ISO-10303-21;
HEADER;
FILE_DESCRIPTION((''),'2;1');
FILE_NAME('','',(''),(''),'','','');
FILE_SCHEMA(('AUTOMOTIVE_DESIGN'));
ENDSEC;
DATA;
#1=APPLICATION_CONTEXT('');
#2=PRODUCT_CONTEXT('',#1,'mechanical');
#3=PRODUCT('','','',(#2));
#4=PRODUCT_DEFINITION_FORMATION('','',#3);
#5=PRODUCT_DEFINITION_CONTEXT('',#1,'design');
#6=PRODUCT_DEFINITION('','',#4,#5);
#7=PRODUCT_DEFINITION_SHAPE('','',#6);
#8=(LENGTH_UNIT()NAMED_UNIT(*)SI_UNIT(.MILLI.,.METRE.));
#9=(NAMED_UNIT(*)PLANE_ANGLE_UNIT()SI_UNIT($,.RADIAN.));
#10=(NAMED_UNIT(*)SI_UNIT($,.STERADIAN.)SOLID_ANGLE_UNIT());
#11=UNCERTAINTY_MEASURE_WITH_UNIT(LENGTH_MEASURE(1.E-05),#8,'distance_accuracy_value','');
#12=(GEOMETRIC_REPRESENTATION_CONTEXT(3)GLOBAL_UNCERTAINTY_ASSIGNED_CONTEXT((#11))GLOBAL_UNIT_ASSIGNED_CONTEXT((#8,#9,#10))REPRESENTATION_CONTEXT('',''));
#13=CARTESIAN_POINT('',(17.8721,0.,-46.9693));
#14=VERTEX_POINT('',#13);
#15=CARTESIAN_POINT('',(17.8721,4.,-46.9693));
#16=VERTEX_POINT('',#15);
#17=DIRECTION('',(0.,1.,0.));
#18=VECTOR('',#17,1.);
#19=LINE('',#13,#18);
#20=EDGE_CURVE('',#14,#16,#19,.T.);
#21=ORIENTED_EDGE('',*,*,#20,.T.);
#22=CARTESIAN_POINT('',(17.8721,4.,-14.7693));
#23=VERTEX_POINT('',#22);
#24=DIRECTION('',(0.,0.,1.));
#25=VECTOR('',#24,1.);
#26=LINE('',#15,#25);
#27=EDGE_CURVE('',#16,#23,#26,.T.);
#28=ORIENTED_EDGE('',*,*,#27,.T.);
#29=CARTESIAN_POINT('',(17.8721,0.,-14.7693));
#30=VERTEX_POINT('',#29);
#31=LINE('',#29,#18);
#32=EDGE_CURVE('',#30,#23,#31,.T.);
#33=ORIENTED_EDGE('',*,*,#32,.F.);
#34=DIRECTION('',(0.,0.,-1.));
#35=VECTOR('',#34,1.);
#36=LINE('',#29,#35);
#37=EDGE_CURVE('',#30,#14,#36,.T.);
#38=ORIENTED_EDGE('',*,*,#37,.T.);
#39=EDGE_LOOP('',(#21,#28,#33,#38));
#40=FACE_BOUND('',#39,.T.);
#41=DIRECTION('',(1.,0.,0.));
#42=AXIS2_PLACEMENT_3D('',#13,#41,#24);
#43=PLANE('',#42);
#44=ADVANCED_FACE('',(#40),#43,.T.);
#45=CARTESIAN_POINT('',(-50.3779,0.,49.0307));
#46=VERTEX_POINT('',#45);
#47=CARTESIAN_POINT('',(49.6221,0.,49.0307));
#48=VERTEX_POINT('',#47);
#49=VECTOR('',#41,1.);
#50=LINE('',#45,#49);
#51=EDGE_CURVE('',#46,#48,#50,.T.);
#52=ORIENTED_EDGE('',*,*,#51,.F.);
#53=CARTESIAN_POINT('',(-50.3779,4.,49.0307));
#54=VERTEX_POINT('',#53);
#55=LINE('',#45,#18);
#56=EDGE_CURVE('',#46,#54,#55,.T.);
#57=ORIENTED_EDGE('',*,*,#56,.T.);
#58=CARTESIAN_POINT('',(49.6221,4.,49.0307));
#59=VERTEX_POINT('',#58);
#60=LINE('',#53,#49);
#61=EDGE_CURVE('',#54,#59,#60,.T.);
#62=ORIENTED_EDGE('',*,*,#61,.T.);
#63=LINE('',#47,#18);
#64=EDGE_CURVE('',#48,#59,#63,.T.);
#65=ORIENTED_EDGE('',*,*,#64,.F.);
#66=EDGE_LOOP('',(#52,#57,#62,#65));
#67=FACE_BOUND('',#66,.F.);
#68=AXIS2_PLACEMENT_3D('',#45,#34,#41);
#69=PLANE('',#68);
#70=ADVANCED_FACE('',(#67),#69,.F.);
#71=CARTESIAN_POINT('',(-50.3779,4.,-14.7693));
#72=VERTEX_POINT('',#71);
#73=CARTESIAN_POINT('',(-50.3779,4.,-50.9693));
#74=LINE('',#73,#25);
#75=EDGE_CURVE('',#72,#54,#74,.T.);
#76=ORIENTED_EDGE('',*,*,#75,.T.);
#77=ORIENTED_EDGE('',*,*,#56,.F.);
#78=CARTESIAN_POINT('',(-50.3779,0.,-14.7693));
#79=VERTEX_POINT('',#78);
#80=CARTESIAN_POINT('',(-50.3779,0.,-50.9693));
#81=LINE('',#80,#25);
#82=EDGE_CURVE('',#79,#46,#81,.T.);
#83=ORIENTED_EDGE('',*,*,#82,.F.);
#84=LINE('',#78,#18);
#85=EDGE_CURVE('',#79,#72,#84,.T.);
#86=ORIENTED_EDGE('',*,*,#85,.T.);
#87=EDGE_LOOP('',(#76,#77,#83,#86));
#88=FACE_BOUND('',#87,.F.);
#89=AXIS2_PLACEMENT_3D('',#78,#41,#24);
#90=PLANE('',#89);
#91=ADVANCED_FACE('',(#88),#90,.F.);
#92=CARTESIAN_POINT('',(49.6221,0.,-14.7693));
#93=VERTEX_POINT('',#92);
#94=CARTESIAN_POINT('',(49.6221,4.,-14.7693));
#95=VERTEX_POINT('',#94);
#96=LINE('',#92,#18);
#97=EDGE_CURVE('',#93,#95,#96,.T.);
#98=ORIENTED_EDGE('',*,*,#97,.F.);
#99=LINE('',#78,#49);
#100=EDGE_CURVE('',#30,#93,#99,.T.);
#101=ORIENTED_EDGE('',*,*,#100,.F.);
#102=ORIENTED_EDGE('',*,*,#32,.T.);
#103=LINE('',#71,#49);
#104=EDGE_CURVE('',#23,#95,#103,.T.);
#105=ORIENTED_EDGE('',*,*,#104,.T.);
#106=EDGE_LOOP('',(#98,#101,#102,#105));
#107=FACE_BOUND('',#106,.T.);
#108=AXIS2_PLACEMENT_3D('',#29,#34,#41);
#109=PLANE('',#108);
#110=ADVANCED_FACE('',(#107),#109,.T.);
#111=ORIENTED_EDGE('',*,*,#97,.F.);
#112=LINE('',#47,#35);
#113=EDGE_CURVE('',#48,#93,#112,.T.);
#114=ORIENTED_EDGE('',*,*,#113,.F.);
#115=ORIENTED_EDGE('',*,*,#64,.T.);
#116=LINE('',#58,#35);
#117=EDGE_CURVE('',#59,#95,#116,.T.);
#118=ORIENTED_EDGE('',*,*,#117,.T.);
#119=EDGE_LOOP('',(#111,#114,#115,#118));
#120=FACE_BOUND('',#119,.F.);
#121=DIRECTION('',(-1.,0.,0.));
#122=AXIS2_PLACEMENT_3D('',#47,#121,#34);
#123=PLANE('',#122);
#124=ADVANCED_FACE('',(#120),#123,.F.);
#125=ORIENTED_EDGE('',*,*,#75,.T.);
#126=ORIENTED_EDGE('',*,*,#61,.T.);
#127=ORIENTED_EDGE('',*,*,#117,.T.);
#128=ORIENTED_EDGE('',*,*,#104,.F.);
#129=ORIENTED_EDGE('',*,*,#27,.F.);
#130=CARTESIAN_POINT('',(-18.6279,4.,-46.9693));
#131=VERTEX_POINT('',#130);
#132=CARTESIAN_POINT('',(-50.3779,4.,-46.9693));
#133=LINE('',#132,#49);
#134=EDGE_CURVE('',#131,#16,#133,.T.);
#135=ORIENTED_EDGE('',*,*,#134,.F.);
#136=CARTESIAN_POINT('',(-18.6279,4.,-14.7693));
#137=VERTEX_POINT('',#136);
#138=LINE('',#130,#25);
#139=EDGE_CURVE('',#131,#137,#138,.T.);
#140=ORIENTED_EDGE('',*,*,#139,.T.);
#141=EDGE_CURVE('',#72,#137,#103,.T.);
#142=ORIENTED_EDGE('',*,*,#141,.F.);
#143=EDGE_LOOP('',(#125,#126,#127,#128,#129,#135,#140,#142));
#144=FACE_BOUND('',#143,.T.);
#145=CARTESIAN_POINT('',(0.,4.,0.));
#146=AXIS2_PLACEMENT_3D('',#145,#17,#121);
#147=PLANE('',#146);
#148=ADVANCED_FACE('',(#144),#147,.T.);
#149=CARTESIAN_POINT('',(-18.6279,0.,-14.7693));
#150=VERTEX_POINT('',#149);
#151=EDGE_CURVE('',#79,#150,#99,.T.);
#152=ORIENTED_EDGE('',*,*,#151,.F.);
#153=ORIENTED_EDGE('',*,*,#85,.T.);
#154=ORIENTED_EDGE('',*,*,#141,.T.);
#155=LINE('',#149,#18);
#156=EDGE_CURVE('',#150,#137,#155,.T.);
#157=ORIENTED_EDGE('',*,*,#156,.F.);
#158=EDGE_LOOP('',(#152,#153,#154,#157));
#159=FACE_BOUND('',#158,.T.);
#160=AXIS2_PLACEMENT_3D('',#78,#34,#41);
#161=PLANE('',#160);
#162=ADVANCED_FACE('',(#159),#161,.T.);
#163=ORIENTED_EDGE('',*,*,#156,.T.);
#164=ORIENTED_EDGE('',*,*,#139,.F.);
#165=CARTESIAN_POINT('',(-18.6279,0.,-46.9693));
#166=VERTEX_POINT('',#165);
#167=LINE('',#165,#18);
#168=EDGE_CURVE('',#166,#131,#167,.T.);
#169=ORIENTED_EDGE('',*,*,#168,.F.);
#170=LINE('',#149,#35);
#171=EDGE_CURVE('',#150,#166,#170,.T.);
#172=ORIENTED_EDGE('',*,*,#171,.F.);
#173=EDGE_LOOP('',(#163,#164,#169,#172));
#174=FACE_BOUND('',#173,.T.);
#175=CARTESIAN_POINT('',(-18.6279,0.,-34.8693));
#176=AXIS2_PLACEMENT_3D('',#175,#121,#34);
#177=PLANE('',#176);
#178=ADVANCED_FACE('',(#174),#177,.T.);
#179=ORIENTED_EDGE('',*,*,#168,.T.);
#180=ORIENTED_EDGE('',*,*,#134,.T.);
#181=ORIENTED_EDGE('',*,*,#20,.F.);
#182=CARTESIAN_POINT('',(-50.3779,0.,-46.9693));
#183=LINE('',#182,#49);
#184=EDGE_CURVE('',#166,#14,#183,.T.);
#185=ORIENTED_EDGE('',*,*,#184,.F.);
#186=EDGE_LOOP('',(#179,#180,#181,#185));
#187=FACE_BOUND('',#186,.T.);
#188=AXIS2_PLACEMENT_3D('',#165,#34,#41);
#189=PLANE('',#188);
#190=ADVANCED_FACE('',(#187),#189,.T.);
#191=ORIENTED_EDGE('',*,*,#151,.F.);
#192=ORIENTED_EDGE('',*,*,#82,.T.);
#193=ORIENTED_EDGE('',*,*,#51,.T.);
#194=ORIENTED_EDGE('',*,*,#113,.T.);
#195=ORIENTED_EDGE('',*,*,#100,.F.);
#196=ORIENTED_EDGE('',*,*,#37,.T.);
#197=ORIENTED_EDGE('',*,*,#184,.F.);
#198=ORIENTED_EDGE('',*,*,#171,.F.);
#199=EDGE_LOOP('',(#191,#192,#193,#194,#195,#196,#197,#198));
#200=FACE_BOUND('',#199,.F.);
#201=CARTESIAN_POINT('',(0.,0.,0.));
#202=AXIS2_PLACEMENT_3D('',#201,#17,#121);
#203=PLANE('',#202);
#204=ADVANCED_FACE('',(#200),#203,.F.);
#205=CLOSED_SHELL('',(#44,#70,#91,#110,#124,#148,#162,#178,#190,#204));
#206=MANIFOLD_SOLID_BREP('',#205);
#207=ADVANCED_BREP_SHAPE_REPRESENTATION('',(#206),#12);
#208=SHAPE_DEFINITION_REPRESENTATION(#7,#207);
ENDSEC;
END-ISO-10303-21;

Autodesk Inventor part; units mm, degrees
ref_plane "YZ Plane" through (0, 0, 0) normal (1, 0, 0) x (0, 1, 0)
ref_plane "XZ Plane" through (0, 0, 0) normal (0, 1, 0) x (-1, 0, 0)
ref_plane "XY Plane" through (0, 0, 0) normal (0, 0, 1) x (1, 0, 0)
sketch "Sketch1" plane through (0, 0, 0) normal (0, 1, 0) x (-1, 0, 0)
  line L0 (-49.6221, -50.9693) -> (50.3779, -50.9693)
  line L1 (50.3779, -50.9693) -> (50.3779, 49.0307)
  line L2 (50.3779, 49.0307) -> (-49.6221, 49.0307)
  line L3 (-49.6221, 49.0307) -> (-49.6221, -50.9693)
  line L4 (-17.8721, -0.5117) -> (18.6279, -0.5117)
  line L5 (18.6279, -0.5117) -> (18.6279, -50.9693)
  line L6 (18.6279, -50.9693) -> (-17.8721, -50.9693)
  line L7 (-17.8721, -50.9693) -> (-17.8721, -0.5117)
  line L8 (-49.6221, -18.7693) -> (50.3779, -18.7693)
  line L9 (50.3779, -18.7693) -> (50.3779, -50.9693)
  line L10 (50.3779, -50.9693) -> (-49.6221, -50.9693)
  line L11 (-49.6221, -50.9693) -> (-49.6221, -18.7693)
  line L12 (-49.6221, -18.7693) -> (50.3779, -18.7693)
  line L13 (50.3779, -18.7693) -> (50.3779, -14.7693)
  line L14 (50.3779, -14.7693) -> (-49.6221, -14.7693)
  line L15 (-49.6221, -14.7693) -> (-49.6221, -18.7693)
  line L16 (-49.6221, -34.8693) -> (50.3779, -34.8693)
  line L17 (-49.6221, -50.9693) -> (50.3779, -50.9693)
  line L18 (50.3779, -50.9693) -> (50.3779, -46.9693)
  line L19 (50.3779, -46.9693) -> (-49.6221, -46.9693)
  line L20 (-49.6221, -46.9693) -> (-49.6221, -50.9693)
  point P0 (0, 0)
  point P1 (0.3779, -50.9693)
  point P2 (0.3779, -50.9693)
  point P3 (0.3779, -50.9693)
  point P4 (-49.6221, -14.7693)
  point P5 (-17.8721, -14.7693)
  point P6 (-17.8721, -46.9693)
  point P7 (18.6279, -46.9693)
  point P8 (18.6279, -14.7693)
  dimension "d0" = 100
  dimension "d1" = 100
  dimension "d2" = 36.5
  dimension "d3" = 100
  dimension "d4" = 32.2
  dimension "d5" = 4
  dimension "d6" = 4
extrude "Extrusion1" add sketch "Sketch1" along normal blind 4 contours L7 L16 L5 L19 | L7 L8 L5 L16 | L7 L14 L5 L8 | L3 L2 L1 L14 L5 L4 L7 | L7 L4 L5 L14
properties part number "podstawa"
